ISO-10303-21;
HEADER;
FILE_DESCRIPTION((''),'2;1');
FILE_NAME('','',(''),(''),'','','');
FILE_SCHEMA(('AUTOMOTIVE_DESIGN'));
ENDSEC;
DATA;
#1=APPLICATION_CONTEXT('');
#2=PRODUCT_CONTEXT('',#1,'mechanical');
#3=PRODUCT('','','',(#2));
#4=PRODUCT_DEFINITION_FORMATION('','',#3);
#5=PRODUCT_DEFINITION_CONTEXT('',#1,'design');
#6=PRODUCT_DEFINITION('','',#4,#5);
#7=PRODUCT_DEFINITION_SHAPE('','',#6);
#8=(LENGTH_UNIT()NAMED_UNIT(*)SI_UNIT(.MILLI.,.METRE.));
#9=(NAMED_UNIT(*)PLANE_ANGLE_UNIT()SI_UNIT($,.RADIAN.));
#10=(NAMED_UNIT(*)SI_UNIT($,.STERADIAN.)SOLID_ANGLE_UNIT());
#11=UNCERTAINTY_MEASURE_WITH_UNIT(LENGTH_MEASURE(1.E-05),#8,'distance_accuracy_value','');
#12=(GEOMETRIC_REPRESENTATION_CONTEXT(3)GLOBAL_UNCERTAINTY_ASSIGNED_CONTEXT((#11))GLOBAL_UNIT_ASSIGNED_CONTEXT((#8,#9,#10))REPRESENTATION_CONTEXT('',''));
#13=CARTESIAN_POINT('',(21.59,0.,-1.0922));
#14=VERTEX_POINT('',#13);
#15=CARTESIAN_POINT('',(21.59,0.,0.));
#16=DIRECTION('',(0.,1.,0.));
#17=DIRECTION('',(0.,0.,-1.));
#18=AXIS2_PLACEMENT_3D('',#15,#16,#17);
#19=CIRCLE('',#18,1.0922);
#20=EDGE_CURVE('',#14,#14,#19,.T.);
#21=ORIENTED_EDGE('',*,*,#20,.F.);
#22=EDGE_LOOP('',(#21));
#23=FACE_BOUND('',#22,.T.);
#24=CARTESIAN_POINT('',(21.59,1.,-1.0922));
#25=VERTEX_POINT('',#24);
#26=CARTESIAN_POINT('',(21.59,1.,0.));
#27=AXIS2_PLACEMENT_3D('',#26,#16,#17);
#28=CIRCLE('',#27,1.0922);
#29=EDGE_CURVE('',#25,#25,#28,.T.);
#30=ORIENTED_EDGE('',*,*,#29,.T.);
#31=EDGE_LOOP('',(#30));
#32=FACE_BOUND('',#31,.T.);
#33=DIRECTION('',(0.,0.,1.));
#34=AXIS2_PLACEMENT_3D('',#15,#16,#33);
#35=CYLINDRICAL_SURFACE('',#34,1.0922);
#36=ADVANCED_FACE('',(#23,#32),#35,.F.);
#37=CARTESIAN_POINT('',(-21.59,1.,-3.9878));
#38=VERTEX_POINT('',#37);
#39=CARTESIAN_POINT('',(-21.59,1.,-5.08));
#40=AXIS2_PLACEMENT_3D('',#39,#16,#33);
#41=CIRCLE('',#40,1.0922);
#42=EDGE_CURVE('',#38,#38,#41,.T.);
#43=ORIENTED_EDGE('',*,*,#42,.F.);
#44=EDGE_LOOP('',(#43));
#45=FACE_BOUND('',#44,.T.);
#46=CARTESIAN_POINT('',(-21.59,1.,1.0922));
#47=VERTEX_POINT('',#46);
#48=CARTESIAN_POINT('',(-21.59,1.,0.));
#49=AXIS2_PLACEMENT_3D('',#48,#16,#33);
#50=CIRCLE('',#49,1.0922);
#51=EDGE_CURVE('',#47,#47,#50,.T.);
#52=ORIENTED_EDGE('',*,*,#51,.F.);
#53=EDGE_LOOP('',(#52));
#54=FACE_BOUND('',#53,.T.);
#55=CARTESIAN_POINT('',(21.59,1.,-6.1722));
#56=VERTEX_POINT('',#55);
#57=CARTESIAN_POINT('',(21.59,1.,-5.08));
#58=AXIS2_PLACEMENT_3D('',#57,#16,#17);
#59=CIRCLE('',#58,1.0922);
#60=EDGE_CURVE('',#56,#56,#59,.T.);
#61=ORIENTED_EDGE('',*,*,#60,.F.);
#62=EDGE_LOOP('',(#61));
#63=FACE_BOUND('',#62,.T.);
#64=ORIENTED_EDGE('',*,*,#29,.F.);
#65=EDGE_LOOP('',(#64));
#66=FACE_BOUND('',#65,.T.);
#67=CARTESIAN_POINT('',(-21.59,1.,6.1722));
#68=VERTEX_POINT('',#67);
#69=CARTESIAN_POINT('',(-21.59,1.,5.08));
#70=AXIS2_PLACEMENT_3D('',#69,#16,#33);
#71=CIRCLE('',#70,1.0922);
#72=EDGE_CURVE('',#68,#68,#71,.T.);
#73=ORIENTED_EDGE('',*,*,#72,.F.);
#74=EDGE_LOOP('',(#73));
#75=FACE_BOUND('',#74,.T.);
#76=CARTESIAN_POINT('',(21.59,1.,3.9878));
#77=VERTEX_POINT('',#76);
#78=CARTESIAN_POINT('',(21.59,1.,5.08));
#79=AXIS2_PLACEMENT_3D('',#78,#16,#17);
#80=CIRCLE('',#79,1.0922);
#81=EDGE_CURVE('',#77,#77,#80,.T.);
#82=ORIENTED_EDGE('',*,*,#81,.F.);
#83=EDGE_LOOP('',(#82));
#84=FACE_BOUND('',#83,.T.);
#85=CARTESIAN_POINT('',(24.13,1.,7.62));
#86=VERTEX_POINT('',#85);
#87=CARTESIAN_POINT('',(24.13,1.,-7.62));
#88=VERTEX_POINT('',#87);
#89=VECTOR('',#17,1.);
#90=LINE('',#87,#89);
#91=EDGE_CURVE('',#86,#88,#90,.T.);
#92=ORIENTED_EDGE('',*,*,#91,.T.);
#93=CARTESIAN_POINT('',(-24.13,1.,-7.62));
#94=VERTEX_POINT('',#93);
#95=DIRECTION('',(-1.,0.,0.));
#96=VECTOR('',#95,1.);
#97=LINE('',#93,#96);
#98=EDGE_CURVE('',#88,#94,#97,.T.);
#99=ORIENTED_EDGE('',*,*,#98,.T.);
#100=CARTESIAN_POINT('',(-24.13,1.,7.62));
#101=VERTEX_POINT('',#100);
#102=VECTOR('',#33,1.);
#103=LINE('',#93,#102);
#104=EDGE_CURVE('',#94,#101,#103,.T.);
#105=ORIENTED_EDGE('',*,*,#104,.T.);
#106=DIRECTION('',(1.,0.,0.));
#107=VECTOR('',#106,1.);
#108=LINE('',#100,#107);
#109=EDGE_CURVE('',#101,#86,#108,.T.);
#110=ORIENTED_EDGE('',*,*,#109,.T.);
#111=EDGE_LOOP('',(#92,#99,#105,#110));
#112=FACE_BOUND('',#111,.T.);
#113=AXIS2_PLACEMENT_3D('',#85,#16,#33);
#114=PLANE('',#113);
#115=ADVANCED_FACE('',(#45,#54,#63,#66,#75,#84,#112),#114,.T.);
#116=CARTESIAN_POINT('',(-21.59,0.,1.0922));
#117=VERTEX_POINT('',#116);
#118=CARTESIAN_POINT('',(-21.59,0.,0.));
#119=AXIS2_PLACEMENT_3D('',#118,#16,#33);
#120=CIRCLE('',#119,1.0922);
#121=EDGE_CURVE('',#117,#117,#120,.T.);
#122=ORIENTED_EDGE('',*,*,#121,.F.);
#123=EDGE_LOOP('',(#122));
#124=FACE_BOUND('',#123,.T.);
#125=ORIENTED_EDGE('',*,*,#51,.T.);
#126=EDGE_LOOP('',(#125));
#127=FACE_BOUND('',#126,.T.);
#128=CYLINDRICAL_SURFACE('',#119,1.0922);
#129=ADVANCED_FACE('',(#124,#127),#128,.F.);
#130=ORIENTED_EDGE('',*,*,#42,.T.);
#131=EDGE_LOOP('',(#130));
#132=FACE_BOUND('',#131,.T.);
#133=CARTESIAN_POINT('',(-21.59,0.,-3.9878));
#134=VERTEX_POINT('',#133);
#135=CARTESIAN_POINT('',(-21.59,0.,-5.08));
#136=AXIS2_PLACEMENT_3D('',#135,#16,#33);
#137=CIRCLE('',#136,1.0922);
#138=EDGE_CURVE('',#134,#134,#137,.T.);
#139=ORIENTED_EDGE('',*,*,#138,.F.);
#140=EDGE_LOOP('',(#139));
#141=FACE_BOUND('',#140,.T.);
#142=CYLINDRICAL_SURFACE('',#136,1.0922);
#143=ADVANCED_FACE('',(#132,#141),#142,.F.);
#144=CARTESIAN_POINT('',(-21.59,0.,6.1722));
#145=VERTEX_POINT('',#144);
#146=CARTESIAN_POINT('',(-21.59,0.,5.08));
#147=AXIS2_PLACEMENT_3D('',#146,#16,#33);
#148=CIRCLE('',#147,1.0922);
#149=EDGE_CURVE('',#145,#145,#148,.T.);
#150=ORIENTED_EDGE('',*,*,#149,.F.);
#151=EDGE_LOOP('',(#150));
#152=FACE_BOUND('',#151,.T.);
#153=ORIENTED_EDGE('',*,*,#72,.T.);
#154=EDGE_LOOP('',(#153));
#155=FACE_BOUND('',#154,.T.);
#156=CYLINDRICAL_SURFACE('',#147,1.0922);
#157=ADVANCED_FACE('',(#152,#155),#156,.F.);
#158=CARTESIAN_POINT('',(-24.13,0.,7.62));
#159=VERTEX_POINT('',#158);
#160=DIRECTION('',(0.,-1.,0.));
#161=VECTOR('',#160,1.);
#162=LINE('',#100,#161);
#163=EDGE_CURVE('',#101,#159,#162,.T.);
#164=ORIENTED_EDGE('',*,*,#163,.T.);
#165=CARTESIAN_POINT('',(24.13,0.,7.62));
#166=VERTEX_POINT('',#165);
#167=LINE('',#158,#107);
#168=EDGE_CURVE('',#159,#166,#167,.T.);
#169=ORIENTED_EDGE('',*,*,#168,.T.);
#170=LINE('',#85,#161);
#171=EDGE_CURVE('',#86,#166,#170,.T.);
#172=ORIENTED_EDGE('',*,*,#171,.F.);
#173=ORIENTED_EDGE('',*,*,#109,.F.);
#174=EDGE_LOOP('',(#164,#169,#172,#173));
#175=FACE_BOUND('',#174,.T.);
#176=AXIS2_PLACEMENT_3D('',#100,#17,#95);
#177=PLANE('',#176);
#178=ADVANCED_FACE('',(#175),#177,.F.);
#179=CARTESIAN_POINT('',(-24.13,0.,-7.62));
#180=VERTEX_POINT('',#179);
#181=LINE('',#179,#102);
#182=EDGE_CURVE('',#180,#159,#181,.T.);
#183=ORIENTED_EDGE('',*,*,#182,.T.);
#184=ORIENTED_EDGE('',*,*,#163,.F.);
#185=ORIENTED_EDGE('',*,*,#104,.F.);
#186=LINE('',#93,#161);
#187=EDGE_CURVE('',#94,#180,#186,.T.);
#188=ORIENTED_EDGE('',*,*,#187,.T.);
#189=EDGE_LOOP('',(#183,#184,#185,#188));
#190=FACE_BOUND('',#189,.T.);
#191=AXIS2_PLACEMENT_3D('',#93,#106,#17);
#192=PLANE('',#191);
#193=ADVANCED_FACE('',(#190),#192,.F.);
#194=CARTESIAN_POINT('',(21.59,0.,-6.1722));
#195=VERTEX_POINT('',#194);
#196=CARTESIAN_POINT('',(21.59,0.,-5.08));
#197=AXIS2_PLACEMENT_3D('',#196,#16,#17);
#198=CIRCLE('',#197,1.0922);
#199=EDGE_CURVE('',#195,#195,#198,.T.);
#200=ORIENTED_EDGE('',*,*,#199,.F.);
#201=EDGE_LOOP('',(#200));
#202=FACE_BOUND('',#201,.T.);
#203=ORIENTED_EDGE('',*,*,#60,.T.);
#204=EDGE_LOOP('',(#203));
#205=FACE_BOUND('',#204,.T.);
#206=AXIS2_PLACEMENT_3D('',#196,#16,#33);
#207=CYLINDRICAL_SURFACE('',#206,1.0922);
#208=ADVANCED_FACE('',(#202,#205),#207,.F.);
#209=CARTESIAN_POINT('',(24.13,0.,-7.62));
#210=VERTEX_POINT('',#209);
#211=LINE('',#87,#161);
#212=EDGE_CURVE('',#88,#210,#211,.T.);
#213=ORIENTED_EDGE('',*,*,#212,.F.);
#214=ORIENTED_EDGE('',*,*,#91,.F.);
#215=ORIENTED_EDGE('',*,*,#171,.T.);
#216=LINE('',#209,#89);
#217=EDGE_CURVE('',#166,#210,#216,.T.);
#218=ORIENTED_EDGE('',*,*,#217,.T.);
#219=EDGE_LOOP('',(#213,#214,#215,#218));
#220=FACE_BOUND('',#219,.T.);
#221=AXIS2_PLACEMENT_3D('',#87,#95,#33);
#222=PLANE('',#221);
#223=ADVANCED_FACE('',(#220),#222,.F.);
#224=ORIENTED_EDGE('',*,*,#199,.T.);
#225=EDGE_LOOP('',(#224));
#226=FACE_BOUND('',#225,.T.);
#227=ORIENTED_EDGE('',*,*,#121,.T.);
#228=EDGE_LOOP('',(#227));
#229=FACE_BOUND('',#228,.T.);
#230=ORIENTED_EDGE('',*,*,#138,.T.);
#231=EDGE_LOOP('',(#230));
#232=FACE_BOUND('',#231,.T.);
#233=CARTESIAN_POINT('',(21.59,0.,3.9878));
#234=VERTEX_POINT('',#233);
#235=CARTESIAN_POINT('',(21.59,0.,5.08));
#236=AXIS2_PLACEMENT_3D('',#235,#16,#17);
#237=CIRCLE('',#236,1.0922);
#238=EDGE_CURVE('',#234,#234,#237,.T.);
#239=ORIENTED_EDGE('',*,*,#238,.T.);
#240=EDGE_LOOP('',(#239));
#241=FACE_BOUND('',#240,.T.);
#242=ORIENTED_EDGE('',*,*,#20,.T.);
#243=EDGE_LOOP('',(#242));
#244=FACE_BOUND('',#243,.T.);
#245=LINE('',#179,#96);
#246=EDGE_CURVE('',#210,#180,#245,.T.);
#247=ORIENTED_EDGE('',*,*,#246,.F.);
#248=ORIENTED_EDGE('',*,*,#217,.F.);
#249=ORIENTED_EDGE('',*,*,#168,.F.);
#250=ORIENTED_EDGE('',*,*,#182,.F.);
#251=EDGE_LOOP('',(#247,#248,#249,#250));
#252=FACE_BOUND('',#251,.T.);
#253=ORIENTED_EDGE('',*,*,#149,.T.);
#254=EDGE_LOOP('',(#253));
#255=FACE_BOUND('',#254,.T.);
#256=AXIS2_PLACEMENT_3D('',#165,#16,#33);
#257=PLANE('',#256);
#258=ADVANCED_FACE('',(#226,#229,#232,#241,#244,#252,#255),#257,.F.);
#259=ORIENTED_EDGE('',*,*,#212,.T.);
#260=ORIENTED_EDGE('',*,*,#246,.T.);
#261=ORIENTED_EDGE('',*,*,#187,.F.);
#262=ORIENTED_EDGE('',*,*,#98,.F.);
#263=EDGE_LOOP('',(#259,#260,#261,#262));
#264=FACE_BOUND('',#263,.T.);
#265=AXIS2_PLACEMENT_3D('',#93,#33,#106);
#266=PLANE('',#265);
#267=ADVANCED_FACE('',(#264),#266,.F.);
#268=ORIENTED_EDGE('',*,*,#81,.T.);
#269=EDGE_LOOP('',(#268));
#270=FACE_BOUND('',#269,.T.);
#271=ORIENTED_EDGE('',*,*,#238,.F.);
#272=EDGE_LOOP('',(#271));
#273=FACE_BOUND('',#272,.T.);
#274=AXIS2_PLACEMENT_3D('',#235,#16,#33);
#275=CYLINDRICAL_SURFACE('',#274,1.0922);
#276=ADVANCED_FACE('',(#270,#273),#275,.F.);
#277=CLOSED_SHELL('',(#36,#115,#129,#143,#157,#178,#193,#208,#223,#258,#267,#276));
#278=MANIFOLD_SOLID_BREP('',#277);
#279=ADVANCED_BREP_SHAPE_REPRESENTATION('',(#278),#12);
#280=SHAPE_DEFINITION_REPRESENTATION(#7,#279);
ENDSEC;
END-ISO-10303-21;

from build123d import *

# Parameters (mm, degrees)
SKETCH1_W           = 48.26
SKETCH1_H           = 15.24
BOSS_EXTRUDE1_DEPTH = 1
SKETCH2_R           = 1.0922
CUT_EXTRUDE1_DEPTH  = 1


with BuildPart() as part:
    # Sketch1 → Boss-Extrude1 (new body)
    with BuildSketch(Plane(origin=(0, 0, 0), x_dir=(1, 0, 0), z_dir=(0, 1, 0))):
        Rectangle(SKETCH1_W, SKETCH1_H)
    extrude(amount=BOSS_EXTRUDE1_DEPTH)

    # Sketch2 → Cut-Extrude1 (cut)
    with BuildSketch(Plane(origin=(0, 1, 0), x_dir=(1, 0, 0), z_dir=(0, 1, 0))):
        with Locations((-21.59, 5.08)):
            Circle(SKETCH2_R)
        with Locations((-21.59, 0)):
            Circle(SKETCH2_R)
        with Locations((-21.59, -5.08)):
            Circle(SKETCH2_R)
        with Locations((21.59, -5.08)):
            Circle(SKETCH2_R)
        with Locations((21.59, 0)):
            Circle(SKETCH2_R)
        with Locations((21.59, 5.08)):
            Circle(SKETCH2_R)
    extrude(amount=-CUT_EXTRUDE1_DEPTH, mode=Mode.SUBTRACT)


solid = part.part
